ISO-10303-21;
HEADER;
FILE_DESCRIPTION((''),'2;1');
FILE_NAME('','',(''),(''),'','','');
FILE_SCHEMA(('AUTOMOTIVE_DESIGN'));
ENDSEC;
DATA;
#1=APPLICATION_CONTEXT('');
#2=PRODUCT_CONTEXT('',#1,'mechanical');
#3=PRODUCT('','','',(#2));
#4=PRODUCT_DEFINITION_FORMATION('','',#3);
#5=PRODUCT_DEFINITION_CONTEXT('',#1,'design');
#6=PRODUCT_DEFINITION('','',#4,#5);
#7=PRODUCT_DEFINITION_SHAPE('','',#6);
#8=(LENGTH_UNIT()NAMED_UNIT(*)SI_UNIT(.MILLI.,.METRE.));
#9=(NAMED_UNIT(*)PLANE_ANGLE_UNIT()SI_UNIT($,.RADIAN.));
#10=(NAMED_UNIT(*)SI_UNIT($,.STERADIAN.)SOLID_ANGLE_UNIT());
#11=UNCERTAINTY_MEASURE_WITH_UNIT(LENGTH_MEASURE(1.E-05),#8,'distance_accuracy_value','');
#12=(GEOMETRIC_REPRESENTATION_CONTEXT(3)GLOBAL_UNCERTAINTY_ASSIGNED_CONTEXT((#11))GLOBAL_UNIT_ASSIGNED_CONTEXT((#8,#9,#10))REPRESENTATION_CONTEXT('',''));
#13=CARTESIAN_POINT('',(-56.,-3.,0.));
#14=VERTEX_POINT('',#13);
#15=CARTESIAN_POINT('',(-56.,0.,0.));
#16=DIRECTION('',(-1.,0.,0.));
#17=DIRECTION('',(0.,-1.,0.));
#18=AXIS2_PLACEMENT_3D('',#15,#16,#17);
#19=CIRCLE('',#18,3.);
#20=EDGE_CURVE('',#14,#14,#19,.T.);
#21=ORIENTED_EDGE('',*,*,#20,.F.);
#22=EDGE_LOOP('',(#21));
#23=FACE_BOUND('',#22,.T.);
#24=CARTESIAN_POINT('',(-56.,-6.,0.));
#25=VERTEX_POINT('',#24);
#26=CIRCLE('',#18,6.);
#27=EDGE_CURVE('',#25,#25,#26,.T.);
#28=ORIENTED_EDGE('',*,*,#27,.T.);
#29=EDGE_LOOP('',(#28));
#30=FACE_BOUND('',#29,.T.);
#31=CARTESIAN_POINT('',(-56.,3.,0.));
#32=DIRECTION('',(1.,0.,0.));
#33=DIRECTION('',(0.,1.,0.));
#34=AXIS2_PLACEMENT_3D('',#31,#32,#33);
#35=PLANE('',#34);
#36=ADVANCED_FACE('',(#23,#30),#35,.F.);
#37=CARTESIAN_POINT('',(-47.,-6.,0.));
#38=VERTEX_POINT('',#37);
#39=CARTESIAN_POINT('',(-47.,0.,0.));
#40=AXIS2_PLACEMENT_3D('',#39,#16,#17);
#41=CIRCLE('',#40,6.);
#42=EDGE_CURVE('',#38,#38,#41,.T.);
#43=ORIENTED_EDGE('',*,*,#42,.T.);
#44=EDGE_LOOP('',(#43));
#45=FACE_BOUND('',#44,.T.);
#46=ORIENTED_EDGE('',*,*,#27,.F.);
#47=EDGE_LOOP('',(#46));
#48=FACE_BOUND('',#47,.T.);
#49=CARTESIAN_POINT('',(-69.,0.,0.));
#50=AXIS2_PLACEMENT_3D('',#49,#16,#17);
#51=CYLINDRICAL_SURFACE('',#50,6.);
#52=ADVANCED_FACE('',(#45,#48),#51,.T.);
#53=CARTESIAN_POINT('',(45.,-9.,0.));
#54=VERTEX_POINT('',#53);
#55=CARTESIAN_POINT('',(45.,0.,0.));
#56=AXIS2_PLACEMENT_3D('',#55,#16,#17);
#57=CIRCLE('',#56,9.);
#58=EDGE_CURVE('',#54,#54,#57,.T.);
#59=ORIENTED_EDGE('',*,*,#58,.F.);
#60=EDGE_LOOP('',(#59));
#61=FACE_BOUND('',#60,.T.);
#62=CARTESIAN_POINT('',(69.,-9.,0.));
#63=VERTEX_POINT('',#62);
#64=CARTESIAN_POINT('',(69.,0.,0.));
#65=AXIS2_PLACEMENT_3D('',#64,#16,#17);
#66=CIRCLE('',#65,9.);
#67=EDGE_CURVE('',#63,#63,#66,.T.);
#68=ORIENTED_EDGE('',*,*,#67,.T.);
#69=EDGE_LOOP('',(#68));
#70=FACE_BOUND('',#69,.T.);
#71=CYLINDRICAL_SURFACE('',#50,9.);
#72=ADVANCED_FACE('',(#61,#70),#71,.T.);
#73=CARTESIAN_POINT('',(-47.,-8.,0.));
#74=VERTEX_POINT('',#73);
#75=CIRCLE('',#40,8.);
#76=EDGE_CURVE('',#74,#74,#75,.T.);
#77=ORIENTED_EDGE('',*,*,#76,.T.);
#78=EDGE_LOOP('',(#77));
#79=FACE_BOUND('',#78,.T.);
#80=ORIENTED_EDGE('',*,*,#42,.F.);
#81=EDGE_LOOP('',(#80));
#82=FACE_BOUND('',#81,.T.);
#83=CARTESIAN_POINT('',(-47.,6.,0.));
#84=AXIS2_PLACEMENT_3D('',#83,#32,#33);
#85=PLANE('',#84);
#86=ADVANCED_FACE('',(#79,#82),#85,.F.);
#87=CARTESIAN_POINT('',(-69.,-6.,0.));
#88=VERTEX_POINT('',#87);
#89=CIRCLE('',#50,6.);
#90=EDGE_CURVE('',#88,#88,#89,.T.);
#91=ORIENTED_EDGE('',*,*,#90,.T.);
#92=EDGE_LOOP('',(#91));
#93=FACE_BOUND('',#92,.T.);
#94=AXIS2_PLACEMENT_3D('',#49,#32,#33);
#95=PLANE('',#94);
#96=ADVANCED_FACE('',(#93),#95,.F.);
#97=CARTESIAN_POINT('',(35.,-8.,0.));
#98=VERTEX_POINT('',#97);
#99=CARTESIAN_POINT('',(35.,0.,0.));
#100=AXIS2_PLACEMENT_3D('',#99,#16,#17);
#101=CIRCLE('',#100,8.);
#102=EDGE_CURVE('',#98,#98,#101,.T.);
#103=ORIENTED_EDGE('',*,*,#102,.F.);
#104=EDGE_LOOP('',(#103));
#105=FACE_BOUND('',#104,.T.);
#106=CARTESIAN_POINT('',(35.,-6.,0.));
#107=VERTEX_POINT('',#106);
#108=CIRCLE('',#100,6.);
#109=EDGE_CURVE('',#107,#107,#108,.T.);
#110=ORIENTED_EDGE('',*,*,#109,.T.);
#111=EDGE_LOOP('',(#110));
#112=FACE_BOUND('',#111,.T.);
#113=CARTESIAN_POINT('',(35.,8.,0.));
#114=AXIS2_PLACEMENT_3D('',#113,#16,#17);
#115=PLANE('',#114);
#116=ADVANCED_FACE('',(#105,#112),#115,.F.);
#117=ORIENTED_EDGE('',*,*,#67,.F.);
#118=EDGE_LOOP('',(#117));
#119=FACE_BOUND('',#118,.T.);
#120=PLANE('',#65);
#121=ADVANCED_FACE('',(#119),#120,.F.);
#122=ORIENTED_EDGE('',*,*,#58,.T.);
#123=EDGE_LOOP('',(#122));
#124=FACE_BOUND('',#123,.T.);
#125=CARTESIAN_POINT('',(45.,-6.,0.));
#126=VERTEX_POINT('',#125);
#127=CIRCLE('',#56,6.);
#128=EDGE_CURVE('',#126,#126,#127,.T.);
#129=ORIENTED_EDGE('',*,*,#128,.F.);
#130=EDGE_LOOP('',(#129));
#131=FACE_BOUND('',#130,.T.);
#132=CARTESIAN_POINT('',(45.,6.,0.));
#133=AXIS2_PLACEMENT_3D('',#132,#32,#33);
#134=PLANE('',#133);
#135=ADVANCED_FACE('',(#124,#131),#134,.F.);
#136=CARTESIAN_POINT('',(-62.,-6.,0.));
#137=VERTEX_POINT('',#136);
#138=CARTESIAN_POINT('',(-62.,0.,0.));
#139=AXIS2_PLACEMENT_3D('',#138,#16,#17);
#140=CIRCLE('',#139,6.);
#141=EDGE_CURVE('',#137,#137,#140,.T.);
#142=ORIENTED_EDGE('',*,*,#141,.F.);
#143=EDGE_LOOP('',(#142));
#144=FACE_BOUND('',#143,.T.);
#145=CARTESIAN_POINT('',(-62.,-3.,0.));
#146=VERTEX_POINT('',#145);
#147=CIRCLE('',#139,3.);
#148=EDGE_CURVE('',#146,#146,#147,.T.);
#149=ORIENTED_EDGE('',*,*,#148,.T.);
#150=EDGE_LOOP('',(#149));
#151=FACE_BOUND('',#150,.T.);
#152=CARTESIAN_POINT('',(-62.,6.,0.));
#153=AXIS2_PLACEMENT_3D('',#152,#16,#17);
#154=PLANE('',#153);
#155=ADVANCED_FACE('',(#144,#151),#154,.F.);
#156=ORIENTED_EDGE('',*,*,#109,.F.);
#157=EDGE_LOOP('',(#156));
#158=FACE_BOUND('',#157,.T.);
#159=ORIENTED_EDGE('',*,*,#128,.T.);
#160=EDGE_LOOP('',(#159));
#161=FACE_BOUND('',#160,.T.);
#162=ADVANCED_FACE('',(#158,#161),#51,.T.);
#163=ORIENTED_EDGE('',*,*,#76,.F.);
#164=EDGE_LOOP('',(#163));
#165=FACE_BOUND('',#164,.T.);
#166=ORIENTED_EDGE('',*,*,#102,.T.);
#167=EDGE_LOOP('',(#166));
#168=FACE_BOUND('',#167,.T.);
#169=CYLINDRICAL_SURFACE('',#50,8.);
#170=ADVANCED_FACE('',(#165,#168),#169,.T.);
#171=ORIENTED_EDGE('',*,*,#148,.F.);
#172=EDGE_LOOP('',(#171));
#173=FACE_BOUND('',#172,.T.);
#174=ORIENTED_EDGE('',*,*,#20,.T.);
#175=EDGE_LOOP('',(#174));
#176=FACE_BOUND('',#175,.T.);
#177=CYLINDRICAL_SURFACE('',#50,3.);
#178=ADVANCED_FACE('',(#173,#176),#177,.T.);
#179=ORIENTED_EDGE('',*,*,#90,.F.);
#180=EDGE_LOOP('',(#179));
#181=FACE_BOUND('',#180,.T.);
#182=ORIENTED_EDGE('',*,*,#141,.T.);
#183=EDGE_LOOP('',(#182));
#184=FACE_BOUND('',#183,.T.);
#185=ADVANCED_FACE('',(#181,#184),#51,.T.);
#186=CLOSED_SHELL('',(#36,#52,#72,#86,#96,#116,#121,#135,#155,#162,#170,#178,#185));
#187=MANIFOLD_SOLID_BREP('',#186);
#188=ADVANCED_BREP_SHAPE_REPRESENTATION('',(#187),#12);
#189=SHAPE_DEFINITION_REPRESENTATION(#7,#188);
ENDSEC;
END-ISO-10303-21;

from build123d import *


with BuildPart() as part:
    # Sketch1 → Revolve1 (revolve)
    with BuildSketch(Plane.XY):
        Polygon((-69, 0), (69, 0), (69, 9), (45, 9), (45, 6), (35, 6), (35, 8), (-47, 8), (-47, 6), (-56, 6), (-56, 3), (-62, 3), (-62, 6), (-69, 6), align=None)
    revolve(axis=Axis((-69, 0, 0), (1, 0, 0)))


solid = part.part
